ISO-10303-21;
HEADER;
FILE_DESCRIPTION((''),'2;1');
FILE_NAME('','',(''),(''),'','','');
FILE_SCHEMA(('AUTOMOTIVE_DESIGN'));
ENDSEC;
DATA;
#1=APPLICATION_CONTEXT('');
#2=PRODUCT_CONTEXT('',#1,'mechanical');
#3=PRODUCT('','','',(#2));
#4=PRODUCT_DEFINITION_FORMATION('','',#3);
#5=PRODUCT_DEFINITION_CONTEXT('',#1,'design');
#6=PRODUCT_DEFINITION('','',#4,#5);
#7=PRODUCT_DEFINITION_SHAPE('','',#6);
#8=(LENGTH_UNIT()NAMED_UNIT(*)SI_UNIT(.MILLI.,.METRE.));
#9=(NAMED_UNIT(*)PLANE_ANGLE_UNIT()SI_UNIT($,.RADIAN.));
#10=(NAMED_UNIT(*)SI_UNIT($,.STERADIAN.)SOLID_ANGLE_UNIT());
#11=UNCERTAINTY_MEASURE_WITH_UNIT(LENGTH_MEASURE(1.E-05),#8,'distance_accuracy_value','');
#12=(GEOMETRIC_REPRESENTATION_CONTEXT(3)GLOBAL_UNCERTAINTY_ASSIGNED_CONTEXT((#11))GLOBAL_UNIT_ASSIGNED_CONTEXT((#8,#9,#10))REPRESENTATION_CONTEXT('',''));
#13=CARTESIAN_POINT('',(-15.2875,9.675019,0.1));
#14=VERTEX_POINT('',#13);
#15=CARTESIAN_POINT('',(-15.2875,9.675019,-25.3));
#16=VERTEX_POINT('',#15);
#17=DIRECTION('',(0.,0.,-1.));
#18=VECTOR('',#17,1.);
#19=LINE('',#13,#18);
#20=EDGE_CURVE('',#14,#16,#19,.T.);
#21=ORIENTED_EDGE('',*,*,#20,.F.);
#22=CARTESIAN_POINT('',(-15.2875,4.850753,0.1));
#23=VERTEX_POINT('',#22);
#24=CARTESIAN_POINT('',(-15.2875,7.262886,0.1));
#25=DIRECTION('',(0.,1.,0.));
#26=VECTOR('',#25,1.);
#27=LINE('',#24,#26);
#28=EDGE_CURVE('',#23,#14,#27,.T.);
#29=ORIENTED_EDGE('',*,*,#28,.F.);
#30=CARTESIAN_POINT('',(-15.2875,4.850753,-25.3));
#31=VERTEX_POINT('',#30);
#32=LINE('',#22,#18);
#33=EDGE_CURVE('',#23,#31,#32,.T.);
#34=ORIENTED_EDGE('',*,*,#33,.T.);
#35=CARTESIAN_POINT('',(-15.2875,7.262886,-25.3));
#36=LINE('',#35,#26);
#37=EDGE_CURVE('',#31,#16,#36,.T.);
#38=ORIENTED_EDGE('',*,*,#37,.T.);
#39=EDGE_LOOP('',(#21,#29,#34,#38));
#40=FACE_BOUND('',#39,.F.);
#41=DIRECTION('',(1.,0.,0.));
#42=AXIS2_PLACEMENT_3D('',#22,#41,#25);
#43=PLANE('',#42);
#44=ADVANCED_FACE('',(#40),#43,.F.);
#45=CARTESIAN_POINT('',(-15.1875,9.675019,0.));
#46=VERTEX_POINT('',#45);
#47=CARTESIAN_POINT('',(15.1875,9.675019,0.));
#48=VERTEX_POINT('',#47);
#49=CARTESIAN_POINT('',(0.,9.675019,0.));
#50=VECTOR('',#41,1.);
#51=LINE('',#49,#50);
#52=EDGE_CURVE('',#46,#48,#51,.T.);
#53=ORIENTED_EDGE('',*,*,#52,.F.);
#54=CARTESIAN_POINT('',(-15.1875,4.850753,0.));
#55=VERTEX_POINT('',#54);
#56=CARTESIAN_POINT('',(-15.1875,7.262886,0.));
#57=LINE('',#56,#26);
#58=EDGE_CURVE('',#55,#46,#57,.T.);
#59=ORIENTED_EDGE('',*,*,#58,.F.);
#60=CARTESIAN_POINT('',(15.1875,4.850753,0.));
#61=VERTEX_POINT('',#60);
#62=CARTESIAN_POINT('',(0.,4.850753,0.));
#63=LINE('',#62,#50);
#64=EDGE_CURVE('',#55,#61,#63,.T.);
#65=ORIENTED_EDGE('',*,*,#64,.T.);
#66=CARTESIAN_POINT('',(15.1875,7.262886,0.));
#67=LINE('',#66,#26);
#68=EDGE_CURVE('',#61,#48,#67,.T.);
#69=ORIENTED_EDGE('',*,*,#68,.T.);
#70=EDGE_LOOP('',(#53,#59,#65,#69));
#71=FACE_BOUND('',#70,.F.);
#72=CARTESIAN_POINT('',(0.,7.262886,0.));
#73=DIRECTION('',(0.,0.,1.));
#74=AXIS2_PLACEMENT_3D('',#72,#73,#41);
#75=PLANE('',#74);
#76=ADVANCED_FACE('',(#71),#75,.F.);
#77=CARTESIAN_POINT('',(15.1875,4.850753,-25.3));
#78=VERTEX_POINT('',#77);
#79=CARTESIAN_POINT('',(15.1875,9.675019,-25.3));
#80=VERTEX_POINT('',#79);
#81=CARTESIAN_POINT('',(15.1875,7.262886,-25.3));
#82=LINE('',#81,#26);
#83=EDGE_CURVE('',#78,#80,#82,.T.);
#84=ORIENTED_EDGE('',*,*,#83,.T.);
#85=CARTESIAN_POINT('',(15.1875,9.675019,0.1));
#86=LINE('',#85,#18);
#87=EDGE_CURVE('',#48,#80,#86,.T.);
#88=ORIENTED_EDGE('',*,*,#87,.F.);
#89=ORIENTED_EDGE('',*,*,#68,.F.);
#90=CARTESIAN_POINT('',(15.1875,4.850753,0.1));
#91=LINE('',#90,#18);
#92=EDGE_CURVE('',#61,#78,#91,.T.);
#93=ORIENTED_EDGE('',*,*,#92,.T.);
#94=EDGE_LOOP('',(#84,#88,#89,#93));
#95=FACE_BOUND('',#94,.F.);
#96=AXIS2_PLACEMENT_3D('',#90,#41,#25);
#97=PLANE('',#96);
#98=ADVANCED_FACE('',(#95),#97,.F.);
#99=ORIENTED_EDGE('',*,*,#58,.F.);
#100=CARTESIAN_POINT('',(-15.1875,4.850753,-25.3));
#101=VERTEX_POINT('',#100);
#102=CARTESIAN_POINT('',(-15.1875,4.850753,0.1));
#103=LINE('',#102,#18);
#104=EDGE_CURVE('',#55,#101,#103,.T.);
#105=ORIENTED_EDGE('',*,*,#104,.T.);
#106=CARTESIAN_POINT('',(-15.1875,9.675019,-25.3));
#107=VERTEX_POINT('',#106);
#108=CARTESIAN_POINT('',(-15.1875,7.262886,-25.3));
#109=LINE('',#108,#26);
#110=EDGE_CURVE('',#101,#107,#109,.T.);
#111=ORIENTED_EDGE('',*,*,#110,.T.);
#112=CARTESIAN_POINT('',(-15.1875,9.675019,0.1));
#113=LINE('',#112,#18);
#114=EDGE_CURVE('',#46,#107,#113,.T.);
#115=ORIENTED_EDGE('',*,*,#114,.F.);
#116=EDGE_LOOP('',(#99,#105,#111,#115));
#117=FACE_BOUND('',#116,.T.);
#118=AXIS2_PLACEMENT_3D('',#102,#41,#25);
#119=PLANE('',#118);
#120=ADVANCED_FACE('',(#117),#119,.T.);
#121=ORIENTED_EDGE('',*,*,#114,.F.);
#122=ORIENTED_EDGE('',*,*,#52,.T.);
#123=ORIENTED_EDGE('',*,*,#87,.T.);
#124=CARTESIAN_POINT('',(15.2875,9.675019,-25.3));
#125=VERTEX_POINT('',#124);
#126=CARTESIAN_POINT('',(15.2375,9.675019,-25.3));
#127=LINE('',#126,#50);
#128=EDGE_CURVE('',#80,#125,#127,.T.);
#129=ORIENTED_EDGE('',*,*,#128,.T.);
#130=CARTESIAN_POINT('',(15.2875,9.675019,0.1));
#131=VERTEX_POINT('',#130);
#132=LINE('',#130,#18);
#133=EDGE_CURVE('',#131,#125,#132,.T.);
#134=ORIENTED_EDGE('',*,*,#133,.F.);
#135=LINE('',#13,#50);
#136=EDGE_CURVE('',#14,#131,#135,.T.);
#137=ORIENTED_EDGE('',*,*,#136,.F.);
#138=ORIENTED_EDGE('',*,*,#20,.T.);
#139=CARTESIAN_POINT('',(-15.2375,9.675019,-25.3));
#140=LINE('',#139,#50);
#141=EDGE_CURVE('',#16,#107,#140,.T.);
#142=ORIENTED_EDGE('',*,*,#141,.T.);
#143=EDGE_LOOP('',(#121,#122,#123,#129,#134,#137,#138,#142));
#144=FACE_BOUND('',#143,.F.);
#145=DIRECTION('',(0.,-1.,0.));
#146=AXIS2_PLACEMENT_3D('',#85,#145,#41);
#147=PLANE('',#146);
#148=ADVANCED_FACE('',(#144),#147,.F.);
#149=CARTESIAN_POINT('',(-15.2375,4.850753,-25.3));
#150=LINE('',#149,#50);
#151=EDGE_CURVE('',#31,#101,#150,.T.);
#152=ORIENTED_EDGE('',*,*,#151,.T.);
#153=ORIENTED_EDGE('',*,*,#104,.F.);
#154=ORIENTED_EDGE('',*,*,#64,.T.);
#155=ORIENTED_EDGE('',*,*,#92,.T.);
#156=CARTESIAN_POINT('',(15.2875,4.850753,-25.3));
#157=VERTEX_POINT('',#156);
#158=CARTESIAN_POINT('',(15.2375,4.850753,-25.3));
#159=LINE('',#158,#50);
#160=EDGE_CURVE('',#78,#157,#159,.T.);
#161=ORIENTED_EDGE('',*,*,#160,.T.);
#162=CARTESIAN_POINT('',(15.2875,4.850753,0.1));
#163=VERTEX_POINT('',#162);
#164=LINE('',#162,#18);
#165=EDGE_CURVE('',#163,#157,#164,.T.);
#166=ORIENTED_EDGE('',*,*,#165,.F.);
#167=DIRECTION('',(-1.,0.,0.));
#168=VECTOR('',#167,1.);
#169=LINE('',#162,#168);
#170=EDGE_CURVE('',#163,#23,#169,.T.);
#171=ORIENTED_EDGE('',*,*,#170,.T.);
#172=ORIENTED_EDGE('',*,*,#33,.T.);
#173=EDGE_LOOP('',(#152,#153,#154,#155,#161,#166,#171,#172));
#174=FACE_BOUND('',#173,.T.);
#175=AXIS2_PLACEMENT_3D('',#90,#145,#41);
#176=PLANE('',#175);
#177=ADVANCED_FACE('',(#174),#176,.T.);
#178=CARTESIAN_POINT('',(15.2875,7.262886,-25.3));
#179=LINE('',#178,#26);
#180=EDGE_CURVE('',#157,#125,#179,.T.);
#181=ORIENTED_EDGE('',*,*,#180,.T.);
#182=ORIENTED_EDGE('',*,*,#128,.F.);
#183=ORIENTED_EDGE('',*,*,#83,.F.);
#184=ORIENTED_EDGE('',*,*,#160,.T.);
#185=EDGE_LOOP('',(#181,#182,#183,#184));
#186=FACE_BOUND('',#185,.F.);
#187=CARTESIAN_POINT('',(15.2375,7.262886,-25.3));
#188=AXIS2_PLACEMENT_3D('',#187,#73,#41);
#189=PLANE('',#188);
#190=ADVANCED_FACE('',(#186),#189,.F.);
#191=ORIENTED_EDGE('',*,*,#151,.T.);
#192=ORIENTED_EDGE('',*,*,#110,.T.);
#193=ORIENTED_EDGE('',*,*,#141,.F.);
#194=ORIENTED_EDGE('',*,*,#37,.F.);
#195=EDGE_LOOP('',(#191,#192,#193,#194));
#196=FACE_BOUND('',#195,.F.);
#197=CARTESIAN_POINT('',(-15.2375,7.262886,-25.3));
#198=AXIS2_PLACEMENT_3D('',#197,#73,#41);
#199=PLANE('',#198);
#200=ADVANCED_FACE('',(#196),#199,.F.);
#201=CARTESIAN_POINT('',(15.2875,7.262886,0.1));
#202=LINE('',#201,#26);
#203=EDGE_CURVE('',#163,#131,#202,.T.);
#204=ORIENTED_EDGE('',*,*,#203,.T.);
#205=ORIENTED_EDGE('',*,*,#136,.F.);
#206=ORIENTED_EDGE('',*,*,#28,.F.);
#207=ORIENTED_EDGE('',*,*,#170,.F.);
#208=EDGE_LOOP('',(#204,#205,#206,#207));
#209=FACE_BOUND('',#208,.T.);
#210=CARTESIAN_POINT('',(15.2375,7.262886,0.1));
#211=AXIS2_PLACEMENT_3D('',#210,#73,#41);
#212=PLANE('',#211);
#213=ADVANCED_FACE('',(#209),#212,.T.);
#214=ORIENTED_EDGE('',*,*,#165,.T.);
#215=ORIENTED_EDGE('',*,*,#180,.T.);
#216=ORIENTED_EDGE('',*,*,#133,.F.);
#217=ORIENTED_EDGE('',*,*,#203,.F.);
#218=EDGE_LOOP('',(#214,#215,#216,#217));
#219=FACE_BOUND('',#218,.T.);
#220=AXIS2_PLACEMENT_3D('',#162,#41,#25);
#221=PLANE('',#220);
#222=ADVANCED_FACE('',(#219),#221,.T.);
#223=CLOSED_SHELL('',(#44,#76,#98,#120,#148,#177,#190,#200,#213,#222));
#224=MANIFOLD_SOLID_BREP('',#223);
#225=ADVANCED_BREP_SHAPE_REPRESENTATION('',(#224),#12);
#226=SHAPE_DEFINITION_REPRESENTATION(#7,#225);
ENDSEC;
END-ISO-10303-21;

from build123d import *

# Parameters (mm, degrees)
F0_W     = 30.375
F0_H     = 4.824265
F1_DEPTH = 0.1
F2_W     = 0.1
F2_H     = 4.824265
F3_DEPTH = 25.4


with BuildPart() as f1:
    # F0 (on Top) → F1 (new body)
    with BuildSketch(Plane.XY):
        with Locations((0, 7.262886)):
            Rectangle(F0_W, F0_H)
    extrude(amount=F1_DEPTH)

    # F2 (on face) → F3 (join)
    with BuildSketch(Plane.XY.offset(0.1)):
        with Locations((15.2375, 7.262886)):
            Rectangle(F2_W, F2_H)
        with Locations((-15.2375, 7.262886)):
            Rectangle(F2_W, F2_H)
    extrude(amount=-F3_DEPTH)


solid = f1.part
